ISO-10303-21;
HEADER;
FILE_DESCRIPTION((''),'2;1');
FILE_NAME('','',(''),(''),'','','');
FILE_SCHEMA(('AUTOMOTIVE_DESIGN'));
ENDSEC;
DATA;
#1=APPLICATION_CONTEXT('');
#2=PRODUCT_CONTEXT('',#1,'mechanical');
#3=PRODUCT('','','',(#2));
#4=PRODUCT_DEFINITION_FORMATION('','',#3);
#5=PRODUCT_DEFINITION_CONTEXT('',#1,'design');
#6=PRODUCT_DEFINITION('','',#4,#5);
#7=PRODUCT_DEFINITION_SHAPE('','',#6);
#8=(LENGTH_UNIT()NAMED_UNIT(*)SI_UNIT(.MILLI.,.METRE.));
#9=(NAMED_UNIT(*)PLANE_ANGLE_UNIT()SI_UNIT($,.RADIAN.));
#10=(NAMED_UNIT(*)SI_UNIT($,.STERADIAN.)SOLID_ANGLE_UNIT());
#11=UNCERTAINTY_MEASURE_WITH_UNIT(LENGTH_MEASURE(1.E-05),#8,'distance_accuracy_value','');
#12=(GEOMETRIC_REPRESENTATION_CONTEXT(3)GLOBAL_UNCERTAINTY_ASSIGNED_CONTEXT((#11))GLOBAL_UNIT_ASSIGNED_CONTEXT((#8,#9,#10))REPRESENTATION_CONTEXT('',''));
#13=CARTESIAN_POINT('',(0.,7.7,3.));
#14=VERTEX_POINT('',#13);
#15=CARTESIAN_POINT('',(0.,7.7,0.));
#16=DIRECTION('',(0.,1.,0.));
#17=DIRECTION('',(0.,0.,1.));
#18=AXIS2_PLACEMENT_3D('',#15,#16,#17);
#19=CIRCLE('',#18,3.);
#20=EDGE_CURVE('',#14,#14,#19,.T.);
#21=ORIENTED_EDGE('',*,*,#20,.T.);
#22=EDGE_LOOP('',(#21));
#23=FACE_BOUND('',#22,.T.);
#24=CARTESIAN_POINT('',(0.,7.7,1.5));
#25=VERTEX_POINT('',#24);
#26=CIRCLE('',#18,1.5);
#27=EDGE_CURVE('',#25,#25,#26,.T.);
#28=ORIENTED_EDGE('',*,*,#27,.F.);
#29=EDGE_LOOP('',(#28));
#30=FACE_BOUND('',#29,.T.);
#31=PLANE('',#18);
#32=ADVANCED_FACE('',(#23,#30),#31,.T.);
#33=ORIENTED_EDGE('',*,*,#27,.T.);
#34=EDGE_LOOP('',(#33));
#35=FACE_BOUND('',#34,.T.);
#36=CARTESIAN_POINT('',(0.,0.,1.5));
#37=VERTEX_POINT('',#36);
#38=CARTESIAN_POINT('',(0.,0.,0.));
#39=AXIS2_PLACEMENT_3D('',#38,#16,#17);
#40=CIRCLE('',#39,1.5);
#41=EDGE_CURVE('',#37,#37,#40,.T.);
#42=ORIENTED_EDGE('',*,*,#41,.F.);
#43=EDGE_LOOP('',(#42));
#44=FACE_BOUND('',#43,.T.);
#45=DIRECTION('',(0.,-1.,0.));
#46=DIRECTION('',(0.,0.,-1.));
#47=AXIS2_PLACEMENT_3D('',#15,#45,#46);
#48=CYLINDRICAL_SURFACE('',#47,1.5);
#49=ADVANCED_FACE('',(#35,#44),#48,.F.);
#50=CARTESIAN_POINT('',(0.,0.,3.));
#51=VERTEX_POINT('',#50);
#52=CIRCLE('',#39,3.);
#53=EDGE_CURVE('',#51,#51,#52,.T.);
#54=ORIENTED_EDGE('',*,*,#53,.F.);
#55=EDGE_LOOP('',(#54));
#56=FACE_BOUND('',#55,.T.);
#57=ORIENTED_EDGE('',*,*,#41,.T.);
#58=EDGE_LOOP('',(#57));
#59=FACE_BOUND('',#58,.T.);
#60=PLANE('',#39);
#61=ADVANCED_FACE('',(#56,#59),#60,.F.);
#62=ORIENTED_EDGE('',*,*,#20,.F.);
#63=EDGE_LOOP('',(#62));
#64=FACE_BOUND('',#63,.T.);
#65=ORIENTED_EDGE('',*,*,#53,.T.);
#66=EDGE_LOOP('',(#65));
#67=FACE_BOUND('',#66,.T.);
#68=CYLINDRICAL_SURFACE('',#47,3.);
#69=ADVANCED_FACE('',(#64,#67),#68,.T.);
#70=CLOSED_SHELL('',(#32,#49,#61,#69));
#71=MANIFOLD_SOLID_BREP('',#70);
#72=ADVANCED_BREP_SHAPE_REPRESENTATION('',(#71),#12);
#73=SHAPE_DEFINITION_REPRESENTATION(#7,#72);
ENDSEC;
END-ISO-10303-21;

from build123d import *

# Parameters (mm, degrees)
SKETCH1_R           = 3
SKETCH1_R_2         = 1.5
BOSS_EXTRUDE1_DEPTH = 7.7


with BuildPart() as part:
    # Sketch1 → Boss-Extrude1 (new body)
    with BuildSketch(Plane(origin=(0, 0, 0), x_dir=(1, 0, 0), z_dir=(0, 1, 0))):
        Circle(SKETCH1_R)
        Circle(SKETCH1_R_2, mode=Mode.SUBTRACT)
    extrude(amount=BOSS_EXTRUDE1_DEPTH)


solid = part.part
